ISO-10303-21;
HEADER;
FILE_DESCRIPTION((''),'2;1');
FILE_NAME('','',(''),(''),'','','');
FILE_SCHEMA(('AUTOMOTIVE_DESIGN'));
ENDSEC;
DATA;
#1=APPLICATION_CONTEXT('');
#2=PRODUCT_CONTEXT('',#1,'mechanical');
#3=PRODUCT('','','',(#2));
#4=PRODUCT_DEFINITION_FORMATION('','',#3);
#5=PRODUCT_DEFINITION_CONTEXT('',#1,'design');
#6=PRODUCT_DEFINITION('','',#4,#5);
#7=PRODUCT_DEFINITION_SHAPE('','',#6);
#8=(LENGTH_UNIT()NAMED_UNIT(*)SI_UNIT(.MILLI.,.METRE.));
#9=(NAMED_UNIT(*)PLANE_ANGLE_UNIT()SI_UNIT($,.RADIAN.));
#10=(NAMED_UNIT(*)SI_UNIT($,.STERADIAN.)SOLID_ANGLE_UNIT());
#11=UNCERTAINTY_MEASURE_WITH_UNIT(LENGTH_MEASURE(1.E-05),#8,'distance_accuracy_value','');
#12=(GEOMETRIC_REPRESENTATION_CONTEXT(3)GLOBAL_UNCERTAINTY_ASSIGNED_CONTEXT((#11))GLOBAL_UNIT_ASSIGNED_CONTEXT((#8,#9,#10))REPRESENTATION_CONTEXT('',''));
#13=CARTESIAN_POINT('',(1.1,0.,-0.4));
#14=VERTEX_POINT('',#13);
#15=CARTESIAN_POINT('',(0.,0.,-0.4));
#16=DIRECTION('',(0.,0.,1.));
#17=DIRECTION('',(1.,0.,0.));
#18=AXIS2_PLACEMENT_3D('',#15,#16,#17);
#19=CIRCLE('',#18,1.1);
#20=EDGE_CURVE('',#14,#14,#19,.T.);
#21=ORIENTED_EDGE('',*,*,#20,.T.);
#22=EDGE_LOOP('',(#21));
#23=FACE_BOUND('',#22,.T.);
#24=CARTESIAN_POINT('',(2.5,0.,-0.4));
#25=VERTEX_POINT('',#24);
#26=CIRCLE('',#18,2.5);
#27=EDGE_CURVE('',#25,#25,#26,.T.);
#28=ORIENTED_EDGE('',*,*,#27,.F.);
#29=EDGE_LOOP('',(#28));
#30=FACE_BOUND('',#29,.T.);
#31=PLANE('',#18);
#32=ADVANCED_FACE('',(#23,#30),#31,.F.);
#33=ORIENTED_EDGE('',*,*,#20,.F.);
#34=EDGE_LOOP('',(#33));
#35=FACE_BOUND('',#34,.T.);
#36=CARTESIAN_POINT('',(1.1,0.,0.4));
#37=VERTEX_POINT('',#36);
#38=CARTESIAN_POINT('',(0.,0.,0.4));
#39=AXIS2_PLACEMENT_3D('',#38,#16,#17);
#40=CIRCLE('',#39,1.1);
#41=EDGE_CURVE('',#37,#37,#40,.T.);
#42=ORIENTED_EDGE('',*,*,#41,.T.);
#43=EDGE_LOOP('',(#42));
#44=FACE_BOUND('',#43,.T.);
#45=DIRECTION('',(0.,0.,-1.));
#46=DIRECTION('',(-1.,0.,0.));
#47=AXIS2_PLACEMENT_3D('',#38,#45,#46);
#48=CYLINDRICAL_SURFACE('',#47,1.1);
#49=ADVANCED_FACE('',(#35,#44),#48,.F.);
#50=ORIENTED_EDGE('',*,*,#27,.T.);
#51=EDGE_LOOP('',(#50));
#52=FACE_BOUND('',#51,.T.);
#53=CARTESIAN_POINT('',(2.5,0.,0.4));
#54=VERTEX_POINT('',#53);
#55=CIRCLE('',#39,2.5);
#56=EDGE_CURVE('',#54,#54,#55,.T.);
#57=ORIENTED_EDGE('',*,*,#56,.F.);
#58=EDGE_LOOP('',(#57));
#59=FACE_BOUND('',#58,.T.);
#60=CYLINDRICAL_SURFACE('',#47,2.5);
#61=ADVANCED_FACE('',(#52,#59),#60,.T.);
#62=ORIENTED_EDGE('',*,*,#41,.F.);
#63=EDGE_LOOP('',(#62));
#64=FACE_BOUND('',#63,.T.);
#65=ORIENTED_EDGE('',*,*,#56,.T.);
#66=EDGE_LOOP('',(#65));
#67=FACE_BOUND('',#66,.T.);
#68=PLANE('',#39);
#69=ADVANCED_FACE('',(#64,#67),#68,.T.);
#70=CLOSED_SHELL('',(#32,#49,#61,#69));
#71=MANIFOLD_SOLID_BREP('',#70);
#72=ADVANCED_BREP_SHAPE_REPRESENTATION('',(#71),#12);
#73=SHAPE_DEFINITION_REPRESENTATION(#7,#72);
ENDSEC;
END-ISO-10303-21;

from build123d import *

# Parameters (mm, degrees)
SKETCH3_R           = 2.5
SKETCH3_R_2         = 1.1
BOSS_EXTRUDE1_DEPTH = 0.4


with BuildPart() as part:
    # Sketch3 → Boss-Extrude1 (new body, symmetric)
    with BuildSketch(Plane.XY):
        Circle(SKETCH3_R)
        Circle(SKETCH3_R_2, mode=Mode.SUBTRACT)
    extrude(amount=BOSS_EXTRUDE1_DEPTH, both=True)


solid = part.part
